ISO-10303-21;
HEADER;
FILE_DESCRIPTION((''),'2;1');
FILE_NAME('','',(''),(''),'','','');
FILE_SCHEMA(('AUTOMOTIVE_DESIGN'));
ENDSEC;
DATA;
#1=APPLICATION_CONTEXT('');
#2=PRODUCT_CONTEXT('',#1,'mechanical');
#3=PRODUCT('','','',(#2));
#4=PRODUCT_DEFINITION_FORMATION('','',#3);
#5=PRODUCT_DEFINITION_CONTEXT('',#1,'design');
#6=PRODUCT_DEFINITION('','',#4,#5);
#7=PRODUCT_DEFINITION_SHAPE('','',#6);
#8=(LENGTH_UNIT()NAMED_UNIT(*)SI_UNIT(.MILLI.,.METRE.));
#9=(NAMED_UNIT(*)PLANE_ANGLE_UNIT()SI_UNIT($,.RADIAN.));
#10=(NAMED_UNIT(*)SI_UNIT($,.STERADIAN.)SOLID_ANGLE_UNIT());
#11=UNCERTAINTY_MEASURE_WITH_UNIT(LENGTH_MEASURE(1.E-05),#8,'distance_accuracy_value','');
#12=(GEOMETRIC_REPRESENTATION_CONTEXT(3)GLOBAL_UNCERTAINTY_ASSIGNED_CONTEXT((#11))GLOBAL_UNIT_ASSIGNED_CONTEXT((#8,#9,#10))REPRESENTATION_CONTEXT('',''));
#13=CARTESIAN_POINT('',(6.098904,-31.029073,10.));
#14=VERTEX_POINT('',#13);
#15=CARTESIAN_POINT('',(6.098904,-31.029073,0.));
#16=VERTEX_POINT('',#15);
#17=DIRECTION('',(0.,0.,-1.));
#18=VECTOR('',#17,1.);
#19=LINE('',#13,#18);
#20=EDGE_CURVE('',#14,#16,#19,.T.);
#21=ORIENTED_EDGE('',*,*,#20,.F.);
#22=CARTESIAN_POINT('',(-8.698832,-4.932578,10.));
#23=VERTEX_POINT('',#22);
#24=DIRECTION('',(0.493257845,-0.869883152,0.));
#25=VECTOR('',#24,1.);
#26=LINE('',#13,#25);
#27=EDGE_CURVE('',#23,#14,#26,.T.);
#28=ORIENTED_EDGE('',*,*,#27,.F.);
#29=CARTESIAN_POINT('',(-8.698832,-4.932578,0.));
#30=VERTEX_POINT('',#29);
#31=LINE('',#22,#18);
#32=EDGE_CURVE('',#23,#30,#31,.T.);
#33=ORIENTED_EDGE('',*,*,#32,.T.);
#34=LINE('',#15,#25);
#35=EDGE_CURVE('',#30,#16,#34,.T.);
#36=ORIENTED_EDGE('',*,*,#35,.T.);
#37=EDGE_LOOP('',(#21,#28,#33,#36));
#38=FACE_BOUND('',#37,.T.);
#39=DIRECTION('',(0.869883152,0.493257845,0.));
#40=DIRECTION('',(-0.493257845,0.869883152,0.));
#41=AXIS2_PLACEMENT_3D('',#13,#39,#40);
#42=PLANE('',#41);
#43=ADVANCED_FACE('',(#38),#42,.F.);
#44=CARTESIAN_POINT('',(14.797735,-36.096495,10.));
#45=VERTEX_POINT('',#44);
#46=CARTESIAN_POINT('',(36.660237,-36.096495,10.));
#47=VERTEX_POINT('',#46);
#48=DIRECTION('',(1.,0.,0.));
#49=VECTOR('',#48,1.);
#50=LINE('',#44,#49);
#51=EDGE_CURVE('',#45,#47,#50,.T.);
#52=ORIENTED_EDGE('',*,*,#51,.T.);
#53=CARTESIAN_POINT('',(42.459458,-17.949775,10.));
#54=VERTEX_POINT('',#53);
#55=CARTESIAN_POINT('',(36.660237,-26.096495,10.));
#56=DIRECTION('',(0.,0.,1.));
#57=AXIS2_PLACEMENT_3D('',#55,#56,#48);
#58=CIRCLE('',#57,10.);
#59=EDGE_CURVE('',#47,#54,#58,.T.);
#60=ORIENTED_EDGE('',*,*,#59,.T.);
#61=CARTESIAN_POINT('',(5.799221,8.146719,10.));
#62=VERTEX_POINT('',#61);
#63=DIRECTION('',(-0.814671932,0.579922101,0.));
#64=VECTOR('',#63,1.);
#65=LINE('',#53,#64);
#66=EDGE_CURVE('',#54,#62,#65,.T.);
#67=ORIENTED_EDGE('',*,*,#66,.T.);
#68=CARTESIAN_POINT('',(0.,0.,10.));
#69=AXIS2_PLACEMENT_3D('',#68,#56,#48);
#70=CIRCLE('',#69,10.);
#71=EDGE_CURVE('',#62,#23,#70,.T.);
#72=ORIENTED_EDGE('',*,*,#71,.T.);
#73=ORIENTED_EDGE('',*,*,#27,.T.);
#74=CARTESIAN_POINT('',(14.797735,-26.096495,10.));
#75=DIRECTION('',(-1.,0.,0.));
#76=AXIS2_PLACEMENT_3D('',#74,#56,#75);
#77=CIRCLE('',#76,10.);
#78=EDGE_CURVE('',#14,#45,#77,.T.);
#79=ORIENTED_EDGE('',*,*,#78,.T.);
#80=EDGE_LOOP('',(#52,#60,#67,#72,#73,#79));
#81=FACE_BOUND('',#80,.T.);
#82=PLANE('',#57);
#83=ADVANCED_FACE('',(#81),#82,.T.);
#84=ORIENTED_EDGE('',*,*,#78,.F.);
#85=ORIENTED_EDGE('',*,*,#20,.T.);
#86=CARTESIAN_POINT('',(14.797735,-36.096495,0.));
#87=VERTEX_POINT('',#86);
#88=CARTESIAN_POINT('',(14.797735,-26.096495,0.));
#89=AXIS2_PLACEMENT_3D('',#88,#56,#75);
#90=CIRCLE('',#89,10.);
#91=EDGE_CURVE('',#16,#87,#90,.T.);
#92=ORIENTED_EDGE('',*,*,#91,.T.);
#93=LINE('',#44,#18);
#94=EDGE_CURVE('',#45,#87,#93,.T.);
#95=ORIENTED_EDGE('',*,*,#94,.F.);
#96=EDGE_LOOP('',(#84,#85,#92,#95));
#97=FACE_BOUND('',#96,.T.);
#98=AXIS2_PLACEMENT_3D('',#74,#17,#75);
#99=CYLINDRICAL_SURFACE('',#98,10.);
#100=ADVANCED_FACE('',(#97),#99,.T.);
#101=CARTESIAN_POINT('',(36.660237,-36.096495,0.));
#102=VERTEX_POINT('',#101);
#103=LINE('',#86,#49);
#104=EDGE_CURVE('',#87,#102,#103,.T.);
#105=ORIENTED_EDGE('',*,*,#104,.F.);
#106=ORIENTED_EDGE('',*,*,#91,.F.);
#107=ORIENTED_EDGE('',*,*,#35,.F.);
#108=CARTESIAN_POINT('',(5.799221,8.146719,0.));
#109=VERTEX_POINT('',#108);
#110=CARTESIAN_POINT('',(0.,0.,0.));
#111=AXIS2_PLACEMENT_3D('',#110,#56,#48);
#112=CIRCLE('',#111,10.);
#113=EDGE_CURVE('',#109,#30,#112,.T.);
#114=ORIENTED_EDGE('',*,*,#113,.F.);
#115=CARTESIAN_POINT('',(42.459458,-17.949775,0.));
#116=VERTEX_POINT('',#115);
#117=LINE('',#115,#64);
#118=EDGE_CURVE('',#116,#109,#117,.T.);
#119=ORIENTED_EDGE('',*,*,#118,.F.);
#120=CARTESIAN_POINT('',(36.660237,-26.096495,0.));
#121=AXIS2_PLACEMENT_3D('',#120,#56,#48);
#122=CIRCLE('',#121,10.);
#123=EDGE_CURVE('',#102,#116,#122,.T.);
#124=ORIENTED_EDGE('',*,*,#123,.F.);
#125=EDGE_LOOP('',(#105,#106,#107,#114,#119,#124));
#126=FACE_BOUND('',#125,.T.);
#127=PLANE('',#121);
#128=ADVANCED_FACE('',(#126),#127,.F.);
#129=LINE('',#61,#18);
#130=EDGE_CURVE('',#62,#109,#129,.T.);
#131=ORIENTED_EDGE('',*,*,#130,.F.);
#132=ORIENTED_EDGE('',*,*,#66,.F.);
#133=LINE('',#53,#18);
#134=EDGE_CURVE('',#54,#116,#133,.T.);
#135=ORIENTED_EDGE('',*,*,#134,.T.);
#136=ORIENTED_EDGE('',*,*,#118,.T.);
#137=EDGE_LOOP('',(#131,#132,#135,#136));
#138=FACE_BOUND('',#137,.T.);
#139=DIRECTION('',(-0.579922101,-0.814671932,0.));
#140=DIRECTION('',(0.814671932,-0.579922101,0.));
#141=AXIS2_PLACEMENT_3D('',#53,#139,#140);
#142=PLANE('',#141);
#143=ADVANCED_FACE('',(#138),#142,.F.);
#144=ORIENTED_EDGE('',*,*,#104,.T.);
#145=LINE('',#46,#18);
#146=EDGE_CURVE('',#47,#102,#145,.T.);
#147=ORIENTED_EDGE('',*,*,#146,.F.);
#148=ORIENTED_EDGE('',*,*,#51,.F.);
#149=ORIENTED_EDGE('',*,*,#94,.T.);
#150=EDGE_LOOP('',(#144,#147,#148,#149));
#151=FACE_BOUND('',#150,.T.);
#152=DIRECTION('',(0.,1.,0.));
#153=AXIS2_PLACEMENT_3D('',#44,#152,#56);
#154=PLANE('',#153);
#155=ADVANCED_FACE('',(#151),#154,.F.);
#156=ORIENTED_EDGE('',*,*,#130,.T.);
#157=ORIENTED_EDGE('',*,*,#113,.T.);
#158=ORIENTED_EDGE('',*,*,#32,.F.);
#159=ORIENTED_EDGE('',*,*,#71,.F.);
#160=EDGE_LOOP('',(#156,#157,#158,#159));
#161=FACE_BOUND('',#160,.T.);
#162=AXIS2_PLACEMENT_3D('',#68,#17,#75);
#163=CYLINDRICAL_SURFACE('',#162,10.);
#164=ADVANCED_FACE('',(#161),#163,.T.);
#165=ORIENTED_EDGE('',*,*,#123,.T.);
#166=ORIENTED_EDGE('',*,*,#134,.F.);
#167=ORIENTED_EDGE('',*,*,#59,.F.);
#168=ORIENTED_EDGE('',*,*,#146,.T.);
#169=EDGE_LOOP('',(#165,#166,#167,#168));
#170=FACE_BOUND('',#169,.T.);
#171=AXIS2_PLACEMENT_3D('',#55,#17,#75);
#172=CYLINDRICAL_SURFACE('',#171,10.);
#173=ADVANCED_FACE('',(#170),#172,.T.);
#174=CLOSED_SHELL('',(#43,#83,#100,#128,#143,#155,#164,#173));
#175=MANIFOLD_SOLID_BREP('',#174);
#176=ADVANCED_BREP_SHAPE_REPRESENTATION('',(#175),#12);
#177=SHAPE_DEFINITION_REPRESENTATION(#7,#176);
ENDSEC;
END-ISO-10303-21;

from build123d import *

# Parameters (mm, degrees)
EXTRUDE_1_DEPTH = 10


with BuildPart() as part:
    # 草图1 → 凸台-拉伸1 (new body)
    with BuildSketch(Plane.XY):
        with BuildLine():
            Line((14.797735357, -36.09649456), (36.660236929, -36.09649456))
            ThreePointArc((36.660236929, -36.09649456), (46.185655376, -29.140571335), (42.459457942, -17.949775242))
            Line((42.459457942, -17.949775242), (5.799221013, 8.146719318))
            ThreePointArc((5.799221013, 8.146719318), (-6.698428384, 7.425029104), (-8.69883152, -4.932578452))
            Line((-8.69883152, -4.932578452), (6.098903837, -31.029073012))
            ThreePointArc((6.098903837, -31.029073012), (9.764137464, -34.737263754), (14.797735357, -36.09649456))
        make_face()
    extrude(amount=EXTRUDE_1_DEPTH)


solid = part.part
